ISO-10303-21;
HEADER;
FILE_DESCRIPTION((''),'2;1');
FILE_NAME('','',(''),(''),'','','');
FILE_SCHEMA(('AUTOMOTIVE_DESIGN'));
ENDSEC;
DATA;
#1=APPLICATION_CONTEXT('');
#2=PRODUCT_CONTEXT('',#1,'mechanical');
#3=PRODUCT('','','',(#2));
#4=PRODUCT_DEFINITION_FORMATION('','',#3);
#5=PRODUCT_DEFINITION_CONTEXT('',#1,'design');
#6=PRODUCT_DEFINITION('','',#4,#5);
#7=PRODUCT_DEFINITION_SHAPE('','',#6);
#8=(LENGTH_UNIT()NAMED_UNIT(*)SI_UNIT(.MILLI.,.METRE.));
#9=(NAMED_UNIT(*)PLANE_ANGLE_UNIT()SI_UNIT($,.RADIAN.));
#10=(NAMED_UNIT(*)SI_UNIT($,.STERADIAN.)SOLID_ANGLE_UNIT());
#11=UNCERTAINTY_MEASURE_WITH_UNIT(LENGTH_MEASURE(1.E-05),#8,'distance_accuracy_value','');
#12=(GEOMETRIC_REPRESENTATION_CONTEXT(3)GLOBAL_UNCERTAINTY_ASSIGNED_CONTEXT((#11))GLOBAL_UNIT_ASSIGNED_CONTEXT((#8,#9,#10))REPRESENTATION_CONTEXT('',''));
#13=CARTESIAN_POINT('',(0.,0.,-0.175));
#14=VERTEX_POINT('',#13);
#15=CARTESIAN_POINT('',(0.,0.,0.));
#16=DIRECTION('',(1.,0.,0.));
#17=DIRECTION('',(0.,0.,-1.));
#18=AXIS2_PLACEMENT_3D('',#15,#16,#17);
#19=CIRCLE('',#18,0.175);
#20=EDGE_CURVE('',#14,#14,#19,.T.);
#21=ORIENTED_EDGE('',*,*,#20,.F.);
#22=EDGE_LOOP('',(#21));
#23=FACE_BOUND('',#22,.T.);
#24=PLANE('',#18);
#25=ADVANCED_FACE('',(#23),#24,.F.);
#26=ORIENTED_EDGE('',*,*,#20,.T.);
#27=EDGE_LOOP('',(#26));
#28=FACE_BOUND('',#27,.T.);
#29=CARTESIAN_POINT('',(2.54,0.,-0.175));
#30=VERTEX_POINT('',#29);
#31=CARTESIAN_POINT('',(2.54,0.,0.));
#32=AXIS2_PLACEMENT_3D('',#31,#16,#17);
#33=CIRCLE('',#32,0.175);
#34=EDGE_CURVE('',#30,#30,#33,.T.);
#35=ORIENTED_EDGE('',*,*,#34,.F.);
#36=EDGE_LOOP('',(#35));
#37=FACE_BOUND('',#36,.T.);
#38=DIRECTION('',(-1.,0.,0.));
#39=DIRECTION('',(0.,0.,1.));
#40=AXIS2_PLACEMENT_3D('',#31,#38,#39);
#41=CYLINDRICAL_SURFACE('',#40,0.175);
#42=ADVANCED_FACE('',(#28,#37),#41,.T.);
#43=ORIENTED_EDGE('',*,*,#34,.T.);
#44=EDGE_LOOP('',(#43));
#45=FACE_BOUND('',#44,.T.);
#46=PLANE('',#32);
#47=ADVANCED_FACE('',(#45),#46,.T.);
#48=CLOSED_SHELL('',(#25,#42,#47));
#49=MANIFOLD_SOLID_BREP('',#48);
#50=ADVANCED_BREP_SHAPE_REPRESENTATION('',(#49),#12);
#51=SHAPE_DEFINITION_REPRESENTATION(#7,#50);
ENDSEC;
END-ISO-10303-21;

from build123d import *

# Parameters (mm, degrees)
SKETCH1_R           = 0.175
BOSS_EXTRUDE1_DEPTH = 2.54


with BuildPart() as part:
    # Sketch1 → Boss-Extrude1 (new body)
    with BuildSketch(Plane(origin=(0, 0, 0), x_dir=(0, 0, -1), z_dir=(1, 0, 0))):
        Circle(SKETCH1_R)
    extrude(amount=BOSS_EXTRUDE1_DEPTH)


solid = part.part
